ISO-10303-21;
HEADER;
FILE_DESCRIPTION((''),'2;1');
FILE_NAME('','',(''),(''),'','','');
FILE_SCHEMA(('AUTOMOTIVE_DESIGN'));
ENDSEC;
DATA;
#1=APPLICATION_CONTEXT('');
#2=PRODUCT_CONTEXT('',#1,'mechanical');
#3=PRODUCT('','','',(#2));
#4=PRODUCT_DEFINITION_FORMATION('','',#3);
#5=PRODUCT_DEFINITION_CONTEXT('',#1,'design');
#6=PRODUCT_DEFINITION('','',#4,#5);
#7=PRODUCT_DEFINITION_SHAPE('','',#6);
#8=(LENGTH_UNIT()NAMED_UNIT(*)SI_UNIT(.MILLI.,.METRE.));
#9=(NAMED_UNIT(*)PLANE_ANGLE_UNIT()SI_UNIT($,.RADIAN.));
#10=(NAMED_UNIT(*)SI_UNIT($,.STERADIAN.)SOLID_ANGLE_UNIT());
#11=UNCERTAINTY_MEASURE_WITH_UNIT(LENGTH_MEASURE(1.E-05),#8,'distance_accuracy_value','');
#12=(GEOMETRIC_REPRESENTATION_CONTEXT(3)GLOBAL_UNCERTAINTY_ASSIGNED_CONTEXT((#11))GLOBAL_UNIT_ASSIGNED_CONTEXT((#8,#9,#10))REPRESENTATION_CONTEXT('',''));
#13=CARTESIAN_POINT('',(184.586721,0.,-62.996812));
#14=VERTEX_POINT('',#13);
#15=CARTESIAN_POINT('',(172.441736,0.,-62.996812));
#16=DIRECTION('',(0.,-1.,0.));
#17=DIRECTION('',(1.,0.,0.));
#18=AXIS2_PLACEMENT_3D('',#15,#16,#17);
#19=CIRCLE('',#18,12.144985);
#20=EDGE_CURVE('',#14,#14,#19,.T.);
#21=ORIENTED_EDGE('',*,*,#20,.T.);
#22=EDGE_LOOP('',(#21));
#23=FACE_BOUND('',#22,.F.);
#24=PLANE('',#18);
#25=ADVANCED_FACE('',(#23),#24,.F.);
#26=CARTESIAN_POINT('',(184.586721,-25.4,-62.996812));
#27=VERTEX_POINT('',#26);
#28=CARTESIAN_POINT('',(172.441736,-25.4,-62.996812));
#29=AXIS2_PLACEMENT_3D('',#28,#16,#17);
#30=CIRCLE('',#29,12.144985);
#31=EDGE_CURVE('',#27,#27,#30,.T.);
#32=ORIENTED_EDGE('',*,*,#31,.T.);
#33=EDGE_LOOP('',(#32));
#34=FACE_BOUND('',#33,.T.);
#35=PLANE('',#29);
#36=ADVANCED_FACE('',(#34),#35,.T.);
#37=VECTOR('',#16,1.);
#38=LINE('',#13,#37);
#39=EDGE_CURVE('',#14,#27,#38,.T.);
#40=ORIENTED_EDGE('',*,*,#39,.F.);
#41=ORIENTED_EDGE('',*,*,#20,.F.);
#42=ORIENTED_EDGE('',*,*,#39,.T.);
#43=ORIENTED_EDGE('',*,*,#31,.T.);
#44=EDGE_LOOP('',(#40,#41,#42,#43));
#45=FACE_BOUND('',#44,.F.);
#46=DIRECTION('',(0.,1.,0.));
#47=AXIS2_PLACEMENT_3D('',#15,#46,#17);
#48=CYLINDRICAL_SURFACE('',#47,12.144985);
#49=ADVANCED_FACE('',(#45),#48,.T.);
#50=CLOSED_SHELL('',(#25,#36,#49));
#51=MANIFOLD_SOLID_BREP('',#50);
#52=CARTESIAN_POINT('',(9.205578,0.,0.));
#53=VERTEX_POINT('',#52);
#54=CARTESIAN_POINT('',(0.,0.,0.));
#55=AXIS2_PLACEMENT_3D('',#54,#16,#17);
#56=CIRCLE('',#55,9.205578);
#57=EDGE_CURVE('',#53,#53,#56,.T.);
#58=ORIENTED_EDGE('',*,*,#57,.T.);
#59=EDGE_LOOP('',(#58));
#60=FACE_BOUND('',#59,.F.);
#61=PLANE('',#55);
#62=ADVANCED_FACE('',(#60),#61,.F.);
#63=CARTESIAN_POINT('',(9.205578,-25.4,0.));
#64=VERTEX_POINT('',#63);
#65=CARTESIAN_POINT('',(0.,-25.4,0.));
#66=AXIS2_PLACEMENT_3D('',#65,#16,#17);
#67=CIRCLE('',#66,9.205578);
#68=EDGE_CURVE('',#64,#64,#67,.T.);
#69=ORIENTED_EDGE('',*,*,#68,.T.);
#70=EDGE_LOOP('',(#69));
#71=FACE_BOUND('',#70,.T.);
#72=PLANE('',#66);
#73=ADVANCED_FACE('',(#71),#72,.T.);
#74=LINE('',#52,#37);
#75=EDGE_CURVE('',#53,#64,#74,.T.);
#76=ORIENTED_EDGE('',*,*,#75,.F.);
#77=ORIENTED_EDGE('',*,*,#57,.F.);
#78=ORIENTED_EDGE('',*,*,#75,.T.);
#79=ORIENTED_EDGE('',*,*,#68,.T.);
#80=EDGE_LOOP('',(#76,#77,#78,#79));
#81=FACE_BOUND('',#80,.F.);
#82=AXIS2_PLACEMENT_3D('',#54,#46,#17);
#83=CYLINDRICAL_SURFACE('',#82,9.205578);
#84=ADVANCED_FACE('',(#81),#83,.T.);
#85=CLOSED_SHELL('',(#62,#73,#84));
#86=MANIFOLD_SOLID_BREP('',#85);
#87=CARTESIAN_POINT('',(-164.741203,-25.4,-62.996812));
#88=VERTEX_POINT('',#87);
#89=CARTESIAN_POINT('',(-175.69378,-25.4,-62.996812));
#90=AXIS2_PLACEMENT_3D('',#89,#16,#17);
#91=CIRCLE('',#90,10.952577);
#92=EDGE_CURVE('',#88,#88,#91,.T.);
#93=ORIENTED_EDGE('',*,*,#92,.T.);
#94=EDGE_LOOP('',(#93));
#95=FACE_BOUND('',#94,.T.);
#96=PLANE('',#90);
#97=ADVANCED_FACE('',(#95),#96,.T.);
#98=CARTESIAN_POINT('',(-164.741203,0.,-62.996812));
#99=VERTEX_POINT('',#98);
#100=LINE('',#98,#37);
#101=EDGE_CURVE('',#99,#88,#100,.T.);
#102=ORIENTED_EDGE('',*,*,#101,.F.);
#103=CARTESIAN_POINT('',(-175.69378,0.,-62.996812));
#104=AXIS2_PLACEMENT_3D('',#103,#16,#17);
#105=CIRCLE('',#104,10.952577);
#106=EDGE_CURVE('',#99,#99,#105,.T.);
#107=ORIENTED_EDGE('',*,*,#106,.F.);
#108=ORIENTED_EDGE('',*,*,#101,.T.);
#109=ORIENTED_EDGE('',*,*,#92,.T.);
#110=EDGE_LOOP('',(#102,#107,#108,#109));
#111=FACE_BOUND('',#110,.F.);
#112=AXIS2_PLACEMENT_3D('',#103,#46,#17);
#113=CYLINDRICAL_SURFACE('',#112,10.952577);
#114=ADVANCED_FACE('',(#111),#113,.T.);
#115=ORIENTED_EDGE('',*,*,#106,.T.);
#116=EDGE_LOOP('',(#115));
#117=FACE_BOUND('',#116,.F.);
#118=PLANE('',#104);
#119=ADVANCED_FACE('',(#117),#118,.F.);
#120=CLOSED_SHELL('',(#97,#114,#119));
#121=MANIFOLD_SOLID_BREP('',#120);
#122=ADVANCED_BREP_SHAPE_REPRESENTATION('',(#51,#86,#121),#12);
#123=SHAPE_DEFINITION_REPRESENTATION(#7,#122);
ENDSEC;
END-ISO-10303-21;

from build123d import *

# Parameters (mm, degrees)
F0_R     = 9.205578
F0_R_2   = 10.952577
F0_R_3   = 12.144985
F1_DEPTH = 25.4


with BuildPart() as f1:
    # F0 (on Front) → F1 (new body)
    with BuildSketch(Plane.XZ):
        Circle(F0_R)
        with Locations((-175.69378, -62.996812)):
            Circle(F0_R_2)
        with Locations((172.441736, -62.996812)):
            Circle(F0_R_3)
    extrude(amount=F1_DEPTH)


solid = f1.part
